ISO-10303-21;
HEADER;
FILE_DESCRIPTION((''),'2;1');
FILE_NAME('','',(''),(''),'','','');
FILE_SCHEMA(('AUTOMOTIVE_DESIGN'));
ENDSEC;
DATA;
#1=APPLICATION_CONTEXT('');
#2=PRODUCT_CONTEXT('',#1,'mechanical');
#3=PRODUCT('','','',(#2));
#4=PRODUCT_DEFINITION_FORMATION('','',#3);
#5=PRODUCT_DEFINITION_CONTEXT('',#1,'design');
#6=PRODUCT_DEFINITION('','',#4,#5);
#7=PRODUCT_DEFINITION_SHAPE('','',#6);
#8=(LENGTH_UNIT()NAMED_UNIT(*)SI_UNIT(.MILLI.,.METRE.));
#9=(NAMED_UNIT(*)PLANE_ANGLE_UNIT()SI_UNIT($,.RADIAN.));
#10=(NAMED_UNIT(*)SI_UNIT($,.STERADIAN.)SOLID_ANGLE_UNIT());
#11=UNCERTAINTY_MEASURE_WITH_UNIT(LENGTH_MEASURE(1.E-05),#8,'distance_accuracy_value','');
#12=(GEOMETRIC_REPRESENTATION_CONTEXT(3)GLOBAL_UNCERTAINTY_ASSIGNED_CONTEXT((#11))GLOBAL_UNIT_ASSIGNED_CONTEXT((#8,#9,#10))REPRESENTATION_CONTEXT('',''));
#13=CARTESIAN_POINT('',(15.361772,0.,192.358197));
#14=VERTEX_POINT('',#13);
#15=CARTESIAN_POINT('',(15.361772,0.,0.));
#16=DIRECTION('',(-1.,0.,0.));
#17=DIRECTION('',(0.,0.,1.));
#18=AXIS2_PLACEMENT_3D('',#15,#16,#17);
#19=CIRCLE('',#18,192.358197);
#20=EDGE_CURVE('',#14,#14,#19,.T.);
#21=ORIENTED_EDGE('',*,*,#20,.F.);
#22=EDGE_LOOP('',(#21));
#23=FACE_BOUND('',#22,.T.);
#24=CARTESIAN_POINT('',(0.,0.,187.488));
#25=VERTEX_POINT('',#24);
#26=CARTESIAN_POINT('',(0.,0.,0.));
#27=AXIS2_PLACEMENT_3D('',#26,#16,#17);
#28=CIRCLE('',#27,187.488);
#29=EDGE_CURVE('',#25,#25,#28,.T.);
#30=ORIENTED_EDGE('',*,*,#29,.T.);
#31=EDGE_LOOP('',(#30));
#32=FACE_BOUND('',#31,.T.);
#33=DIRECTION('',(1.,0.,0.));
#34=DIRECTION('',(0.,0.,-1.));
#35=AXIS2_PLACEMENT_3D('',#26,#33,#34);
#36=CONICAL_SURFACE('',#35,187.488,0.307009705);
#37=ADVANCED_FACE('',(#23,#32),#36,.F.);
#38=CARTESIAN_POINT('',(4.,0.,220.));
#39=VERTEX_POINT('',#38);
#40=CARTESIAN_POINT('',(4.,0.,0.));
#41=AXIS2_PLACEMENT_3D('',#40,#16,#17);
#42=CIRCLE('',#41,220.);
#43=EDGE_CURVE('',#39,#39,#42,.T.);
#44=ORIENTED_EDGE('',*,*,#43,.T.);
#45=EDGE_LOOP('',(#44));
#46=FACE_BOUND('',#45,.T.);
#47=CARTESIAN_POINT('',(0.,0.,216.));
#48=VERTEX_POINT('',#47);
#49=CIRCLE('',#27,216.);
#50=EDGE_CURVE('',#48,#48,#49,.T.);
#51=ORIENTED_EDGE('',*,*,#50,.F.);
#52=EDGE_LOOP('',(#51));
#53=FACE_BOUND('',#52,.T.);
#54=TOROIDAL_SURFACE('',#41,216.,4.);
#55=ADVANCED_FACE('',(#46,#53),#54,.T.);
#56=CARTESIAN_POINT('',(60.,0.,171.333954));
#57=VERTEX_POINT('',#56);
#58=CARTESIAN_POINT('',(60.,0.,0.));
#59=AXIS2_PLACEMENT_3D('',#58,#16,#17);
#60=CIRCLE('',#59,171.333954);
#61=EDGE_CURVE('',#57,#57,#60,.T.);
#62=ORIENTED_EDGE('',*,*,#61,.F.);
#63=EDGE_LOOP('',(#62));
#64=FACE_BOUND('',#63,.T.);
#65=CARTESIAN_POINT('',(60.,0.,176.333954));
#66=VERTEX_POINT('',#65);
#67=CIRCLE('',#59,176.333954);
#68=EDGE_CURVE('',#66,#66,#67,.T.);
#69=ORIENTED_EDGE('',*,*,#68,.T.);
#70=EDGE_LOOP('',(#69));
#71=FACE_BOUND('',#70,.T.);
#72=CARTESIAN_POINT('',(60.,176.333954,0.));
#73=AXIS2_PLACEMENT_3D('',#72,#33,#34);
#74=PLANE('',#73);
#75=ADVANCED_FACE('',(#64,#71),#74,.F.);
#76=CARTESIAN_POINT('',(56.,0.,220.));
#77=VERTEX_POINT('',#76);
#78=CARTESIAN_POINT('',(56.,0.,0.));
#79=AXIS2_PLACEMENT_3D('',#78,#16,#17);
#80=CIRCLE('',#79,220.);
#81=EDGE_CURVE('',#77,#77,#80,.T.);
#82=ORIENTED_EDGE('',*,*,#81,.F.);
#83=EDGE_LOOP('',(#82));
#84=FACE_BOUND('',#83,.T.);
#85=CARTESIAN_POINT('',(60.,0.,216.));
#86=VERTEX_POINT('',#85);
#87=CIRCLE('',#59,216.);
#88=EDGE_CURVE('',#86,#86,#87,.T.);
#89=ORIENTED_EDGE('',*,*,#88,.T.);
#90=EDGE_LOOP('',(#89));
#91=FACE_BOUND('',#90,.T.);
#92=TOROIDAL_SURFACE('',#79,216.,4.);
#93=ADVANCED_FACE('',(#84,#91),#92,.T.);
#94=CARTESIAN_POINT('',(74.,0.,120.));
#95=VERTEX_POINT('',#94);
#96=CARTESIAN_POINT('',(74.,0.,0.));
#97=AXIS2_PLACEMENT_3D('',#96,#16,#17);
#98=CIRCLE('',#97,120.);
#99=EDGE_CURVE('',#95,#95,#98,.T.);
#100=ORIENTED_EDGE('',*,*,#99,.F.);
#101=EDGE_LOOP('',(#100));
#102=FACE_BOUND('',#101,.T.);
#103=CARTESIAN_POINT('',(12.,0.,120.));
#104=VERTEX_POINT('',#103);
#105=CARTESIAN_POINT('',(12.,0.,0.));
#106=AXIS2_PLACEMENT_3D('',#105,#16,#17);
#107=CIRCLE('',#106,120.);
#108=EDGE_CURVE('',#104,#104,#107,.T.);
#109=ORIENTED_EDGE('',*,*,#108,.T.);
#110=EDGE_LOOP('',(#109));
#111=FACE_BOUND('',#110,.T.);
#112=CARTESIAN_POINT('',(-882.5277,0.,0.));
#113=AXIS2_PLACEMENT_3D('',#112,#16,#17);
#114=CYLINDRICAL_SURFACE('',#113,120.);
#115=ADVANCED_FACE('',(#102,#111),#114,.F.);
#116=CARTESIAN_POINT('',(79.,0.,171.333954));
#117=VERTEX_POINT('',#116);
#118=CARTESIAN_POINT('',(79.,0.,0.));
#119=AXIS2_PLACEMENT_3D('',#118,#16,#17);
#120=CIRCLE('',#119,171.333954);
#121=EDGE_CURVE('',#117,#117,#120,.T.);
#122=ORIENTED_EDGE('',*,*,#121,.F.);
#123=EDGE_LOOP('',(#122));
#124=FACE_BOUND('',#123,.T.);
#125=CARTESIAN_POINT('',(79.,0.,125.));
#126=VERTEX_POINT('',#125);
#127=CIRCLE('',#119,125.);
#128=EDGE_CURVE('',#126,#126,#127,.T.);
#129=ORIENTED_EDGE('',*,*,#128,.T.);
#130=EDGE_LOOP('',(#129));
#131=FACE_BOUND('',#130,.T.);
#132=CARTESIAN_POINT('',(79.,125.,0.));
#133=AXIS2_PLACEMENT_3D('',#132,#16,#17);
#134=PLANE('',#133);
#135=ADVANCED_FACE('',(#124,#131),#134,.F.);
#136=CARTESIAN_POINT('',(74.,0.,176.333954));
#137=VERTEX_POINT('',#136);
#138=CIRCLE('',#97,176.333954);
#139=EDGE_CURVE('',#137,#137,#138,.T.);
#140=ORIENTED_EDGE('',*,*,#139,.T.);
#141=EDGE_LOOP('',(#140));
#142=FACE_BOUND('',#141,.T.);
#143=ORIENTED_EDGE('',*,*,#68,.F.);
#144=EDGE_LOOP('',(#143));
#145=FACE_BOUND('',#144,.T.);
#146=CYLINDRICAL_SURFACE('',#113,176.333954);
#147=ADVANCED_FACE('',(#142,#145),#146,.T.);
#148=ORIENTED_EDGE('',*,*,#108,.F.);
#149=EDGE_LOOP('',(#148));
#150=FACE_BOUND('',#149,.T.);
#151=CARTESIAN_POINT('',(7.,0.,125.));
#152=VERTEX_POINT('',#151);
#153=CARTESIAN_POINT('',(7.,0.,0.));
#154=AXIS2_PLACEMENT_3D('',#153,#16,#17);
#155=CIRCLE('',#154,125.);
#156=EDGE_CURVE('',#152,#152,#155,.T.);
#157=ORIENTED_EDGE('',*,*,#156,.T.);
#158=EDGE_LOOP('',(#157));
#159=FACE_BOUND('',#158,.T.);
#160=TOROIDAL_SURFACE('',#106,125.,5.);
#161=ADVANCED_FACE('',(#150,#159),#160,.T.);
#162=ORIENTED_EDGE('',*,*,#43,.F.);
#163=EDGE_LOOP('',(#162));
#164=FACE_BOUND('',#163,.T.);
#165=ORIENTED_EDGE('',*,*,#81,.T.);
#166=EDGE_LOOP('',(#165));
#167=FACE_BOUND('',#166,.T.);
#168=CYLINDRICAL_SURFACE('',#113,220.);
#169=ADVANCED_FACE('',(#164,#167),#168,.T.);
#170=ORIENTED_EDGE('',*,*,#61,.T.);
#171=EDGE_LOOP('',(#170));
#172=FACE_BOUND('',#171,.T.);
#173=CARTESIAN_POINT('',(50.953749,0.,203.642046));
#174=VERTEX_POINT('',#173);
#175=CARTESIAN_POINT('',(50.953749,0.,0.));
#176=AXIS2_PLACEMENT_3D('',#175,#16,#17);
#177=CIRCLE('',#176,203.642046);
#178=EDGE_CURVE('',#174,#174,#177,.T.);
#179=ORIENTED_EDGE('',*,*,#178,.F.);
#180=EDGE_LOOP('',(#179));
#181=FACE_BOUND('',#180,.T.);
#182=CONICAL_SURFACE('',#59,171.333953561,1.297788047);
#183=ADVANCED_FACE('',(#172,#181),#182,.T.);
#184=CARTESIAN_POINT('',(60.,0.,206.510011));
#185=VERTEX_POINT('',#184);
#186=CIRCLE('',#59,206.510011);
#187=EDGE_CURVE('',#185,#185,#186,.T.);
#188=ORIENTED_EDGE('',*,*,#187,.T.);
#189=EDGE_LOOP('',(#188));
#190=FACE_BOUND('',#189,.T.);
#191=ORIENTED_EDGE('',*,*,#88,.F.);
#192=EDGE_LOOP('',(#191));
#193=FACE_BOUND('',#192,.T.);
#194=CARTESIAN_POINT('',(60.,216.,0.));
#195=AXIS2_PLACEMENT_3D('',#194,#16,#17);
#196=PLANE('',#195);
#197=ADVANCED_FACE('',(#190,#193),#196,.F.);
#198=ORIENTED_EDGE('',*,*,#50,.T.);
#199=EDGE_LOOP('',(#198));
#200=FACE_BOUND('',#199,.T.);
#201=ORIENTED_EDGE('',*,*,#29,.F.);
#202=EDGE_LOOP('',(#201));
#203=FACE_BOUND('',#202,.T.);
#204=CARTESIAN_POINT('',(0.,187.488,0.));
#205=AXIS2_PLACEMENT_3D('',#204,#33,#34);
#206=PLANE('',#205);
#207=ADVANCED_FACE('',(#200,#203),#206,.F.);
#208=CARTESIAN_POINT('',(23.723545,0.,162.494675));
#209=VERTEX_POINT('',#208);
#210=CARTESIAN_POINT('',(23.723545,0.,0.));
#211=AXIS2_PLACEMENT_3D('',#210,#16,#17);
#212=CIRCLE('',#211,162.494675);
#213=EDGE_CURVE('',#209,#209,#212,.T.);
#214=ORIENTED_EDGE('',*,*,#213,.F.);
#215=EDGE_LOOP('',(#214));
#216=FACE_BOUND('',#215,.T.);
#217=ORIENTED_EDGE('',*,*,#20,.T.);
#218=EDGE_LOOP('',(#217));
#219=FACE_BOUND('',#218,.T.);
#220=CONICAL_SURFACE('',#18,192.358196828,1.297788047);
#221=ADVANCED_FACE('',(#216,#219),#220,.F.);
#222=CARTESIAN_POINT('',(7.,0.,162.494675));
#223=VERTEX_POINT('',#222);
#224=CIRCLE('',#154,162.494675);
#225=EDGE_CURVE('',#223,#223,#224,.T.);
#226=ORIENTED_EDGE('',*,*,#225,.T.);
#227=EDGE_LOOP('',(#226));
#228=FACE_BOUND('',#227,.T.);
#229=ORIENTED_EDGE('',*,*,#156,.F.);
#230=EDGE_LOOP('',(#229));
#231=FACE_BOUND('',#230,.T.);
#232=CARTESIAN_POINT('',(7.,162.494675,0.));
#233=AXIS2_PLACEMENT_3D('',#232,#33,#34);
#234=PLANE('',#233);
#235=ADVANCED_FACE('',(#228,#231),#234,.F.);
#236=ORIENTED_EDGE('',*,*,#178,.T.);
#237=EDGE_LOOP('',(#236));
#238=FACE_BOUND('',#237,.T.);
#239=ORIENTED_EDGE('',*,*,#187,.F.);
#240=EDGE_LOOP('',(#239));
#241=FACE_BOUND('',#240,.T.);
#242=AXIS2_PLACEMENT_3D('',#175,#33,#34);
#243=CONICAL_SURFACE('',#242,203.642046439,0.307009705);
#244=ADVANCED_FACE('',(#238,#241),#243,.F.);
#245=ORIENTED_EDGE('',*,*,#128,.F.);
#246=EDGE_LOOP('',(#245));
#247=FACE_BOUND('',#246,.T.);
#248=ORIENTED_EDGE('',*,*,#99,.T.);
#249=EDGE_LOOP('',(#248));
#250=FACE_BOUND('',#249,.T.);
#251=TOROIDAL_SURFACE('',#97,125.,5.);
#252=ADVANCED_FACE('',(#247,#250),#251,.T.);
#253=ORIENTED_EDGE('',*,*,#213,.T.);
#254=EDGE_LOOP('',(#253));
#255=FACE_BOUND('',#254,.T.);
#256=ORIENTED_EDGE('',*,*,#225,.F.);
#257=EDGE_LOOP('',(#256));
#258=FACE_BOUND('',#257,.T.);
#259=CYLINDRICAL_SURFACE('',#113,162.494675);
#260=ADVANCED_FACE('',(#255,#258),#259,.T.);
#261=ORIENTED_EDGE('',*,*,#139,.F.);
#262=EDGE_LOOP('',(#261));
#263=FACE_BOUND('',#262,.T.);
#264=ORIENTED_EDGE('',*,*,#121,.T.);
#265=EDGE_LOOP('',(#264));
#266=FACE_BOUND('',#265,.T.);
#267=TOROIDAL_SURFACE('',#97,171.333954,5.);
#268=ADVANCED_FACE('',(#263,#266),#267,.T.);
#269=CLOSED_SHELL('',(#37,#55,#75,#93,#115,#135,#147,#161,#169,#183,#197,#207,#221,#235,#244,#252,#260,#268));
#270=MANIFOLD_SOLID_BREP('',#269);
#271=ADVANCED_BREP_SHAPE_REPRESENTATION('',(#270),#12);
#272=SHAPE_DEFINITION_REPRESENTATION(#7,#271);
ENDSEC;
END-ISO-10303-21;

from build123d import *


with BuildPart() as part:
    # Эскиз1 → Повернуть1 (revolve)
    with BuildSketch(Plane.XY):
        with BuildLine():
            Line((15.361772444, 192.358196828), (0, 187.488))
            Line((0, 187.488), (0, 216))
            ThreePointArc((0, 216), (1.171572875, 218.828427125), (4, 220))
            Line((4, 220), (56, 220))
            ThreePointArc((56, 220), (58.828427125, 218.828427125), (60, 216))
            Line((60, 216), (60, 206.510011343))
            Line((60, 206.510011343), (50.953748731, 203.642046439))
            Line((50.953748731, 203.642046439), (60, 171.333953561))
            Line((60, 171.333953561), (60, 176.333953561))
            Line((60, 176.333953561), (74, 176.333953561))
            ThreePointArc((74, 176.333953561), (77.535533906, 174.869487467), (79, 171.333953561))
            Line((79, 171.333953561), (79, 125))
            ThreePointArc((79, 125), (77.535533906, 121.464466094), (74, 120))
            Line((74, 120), (12, 120))
            ThreePointArc((12, 120), (8.464466094, 121.464466094), (7, 125))
            Line((7, 125), (7, 162.494675163))
            Line((7, 162.494675163), (23.723544889, 162.494675163))
            Line((23.723544889, 162.494675163), (15.361772444, 192.358196828))
        make_face()
    revolve(axis=Axis((-882.527700014, 0, 0), (1, 0, 0)))


solid = part.part
